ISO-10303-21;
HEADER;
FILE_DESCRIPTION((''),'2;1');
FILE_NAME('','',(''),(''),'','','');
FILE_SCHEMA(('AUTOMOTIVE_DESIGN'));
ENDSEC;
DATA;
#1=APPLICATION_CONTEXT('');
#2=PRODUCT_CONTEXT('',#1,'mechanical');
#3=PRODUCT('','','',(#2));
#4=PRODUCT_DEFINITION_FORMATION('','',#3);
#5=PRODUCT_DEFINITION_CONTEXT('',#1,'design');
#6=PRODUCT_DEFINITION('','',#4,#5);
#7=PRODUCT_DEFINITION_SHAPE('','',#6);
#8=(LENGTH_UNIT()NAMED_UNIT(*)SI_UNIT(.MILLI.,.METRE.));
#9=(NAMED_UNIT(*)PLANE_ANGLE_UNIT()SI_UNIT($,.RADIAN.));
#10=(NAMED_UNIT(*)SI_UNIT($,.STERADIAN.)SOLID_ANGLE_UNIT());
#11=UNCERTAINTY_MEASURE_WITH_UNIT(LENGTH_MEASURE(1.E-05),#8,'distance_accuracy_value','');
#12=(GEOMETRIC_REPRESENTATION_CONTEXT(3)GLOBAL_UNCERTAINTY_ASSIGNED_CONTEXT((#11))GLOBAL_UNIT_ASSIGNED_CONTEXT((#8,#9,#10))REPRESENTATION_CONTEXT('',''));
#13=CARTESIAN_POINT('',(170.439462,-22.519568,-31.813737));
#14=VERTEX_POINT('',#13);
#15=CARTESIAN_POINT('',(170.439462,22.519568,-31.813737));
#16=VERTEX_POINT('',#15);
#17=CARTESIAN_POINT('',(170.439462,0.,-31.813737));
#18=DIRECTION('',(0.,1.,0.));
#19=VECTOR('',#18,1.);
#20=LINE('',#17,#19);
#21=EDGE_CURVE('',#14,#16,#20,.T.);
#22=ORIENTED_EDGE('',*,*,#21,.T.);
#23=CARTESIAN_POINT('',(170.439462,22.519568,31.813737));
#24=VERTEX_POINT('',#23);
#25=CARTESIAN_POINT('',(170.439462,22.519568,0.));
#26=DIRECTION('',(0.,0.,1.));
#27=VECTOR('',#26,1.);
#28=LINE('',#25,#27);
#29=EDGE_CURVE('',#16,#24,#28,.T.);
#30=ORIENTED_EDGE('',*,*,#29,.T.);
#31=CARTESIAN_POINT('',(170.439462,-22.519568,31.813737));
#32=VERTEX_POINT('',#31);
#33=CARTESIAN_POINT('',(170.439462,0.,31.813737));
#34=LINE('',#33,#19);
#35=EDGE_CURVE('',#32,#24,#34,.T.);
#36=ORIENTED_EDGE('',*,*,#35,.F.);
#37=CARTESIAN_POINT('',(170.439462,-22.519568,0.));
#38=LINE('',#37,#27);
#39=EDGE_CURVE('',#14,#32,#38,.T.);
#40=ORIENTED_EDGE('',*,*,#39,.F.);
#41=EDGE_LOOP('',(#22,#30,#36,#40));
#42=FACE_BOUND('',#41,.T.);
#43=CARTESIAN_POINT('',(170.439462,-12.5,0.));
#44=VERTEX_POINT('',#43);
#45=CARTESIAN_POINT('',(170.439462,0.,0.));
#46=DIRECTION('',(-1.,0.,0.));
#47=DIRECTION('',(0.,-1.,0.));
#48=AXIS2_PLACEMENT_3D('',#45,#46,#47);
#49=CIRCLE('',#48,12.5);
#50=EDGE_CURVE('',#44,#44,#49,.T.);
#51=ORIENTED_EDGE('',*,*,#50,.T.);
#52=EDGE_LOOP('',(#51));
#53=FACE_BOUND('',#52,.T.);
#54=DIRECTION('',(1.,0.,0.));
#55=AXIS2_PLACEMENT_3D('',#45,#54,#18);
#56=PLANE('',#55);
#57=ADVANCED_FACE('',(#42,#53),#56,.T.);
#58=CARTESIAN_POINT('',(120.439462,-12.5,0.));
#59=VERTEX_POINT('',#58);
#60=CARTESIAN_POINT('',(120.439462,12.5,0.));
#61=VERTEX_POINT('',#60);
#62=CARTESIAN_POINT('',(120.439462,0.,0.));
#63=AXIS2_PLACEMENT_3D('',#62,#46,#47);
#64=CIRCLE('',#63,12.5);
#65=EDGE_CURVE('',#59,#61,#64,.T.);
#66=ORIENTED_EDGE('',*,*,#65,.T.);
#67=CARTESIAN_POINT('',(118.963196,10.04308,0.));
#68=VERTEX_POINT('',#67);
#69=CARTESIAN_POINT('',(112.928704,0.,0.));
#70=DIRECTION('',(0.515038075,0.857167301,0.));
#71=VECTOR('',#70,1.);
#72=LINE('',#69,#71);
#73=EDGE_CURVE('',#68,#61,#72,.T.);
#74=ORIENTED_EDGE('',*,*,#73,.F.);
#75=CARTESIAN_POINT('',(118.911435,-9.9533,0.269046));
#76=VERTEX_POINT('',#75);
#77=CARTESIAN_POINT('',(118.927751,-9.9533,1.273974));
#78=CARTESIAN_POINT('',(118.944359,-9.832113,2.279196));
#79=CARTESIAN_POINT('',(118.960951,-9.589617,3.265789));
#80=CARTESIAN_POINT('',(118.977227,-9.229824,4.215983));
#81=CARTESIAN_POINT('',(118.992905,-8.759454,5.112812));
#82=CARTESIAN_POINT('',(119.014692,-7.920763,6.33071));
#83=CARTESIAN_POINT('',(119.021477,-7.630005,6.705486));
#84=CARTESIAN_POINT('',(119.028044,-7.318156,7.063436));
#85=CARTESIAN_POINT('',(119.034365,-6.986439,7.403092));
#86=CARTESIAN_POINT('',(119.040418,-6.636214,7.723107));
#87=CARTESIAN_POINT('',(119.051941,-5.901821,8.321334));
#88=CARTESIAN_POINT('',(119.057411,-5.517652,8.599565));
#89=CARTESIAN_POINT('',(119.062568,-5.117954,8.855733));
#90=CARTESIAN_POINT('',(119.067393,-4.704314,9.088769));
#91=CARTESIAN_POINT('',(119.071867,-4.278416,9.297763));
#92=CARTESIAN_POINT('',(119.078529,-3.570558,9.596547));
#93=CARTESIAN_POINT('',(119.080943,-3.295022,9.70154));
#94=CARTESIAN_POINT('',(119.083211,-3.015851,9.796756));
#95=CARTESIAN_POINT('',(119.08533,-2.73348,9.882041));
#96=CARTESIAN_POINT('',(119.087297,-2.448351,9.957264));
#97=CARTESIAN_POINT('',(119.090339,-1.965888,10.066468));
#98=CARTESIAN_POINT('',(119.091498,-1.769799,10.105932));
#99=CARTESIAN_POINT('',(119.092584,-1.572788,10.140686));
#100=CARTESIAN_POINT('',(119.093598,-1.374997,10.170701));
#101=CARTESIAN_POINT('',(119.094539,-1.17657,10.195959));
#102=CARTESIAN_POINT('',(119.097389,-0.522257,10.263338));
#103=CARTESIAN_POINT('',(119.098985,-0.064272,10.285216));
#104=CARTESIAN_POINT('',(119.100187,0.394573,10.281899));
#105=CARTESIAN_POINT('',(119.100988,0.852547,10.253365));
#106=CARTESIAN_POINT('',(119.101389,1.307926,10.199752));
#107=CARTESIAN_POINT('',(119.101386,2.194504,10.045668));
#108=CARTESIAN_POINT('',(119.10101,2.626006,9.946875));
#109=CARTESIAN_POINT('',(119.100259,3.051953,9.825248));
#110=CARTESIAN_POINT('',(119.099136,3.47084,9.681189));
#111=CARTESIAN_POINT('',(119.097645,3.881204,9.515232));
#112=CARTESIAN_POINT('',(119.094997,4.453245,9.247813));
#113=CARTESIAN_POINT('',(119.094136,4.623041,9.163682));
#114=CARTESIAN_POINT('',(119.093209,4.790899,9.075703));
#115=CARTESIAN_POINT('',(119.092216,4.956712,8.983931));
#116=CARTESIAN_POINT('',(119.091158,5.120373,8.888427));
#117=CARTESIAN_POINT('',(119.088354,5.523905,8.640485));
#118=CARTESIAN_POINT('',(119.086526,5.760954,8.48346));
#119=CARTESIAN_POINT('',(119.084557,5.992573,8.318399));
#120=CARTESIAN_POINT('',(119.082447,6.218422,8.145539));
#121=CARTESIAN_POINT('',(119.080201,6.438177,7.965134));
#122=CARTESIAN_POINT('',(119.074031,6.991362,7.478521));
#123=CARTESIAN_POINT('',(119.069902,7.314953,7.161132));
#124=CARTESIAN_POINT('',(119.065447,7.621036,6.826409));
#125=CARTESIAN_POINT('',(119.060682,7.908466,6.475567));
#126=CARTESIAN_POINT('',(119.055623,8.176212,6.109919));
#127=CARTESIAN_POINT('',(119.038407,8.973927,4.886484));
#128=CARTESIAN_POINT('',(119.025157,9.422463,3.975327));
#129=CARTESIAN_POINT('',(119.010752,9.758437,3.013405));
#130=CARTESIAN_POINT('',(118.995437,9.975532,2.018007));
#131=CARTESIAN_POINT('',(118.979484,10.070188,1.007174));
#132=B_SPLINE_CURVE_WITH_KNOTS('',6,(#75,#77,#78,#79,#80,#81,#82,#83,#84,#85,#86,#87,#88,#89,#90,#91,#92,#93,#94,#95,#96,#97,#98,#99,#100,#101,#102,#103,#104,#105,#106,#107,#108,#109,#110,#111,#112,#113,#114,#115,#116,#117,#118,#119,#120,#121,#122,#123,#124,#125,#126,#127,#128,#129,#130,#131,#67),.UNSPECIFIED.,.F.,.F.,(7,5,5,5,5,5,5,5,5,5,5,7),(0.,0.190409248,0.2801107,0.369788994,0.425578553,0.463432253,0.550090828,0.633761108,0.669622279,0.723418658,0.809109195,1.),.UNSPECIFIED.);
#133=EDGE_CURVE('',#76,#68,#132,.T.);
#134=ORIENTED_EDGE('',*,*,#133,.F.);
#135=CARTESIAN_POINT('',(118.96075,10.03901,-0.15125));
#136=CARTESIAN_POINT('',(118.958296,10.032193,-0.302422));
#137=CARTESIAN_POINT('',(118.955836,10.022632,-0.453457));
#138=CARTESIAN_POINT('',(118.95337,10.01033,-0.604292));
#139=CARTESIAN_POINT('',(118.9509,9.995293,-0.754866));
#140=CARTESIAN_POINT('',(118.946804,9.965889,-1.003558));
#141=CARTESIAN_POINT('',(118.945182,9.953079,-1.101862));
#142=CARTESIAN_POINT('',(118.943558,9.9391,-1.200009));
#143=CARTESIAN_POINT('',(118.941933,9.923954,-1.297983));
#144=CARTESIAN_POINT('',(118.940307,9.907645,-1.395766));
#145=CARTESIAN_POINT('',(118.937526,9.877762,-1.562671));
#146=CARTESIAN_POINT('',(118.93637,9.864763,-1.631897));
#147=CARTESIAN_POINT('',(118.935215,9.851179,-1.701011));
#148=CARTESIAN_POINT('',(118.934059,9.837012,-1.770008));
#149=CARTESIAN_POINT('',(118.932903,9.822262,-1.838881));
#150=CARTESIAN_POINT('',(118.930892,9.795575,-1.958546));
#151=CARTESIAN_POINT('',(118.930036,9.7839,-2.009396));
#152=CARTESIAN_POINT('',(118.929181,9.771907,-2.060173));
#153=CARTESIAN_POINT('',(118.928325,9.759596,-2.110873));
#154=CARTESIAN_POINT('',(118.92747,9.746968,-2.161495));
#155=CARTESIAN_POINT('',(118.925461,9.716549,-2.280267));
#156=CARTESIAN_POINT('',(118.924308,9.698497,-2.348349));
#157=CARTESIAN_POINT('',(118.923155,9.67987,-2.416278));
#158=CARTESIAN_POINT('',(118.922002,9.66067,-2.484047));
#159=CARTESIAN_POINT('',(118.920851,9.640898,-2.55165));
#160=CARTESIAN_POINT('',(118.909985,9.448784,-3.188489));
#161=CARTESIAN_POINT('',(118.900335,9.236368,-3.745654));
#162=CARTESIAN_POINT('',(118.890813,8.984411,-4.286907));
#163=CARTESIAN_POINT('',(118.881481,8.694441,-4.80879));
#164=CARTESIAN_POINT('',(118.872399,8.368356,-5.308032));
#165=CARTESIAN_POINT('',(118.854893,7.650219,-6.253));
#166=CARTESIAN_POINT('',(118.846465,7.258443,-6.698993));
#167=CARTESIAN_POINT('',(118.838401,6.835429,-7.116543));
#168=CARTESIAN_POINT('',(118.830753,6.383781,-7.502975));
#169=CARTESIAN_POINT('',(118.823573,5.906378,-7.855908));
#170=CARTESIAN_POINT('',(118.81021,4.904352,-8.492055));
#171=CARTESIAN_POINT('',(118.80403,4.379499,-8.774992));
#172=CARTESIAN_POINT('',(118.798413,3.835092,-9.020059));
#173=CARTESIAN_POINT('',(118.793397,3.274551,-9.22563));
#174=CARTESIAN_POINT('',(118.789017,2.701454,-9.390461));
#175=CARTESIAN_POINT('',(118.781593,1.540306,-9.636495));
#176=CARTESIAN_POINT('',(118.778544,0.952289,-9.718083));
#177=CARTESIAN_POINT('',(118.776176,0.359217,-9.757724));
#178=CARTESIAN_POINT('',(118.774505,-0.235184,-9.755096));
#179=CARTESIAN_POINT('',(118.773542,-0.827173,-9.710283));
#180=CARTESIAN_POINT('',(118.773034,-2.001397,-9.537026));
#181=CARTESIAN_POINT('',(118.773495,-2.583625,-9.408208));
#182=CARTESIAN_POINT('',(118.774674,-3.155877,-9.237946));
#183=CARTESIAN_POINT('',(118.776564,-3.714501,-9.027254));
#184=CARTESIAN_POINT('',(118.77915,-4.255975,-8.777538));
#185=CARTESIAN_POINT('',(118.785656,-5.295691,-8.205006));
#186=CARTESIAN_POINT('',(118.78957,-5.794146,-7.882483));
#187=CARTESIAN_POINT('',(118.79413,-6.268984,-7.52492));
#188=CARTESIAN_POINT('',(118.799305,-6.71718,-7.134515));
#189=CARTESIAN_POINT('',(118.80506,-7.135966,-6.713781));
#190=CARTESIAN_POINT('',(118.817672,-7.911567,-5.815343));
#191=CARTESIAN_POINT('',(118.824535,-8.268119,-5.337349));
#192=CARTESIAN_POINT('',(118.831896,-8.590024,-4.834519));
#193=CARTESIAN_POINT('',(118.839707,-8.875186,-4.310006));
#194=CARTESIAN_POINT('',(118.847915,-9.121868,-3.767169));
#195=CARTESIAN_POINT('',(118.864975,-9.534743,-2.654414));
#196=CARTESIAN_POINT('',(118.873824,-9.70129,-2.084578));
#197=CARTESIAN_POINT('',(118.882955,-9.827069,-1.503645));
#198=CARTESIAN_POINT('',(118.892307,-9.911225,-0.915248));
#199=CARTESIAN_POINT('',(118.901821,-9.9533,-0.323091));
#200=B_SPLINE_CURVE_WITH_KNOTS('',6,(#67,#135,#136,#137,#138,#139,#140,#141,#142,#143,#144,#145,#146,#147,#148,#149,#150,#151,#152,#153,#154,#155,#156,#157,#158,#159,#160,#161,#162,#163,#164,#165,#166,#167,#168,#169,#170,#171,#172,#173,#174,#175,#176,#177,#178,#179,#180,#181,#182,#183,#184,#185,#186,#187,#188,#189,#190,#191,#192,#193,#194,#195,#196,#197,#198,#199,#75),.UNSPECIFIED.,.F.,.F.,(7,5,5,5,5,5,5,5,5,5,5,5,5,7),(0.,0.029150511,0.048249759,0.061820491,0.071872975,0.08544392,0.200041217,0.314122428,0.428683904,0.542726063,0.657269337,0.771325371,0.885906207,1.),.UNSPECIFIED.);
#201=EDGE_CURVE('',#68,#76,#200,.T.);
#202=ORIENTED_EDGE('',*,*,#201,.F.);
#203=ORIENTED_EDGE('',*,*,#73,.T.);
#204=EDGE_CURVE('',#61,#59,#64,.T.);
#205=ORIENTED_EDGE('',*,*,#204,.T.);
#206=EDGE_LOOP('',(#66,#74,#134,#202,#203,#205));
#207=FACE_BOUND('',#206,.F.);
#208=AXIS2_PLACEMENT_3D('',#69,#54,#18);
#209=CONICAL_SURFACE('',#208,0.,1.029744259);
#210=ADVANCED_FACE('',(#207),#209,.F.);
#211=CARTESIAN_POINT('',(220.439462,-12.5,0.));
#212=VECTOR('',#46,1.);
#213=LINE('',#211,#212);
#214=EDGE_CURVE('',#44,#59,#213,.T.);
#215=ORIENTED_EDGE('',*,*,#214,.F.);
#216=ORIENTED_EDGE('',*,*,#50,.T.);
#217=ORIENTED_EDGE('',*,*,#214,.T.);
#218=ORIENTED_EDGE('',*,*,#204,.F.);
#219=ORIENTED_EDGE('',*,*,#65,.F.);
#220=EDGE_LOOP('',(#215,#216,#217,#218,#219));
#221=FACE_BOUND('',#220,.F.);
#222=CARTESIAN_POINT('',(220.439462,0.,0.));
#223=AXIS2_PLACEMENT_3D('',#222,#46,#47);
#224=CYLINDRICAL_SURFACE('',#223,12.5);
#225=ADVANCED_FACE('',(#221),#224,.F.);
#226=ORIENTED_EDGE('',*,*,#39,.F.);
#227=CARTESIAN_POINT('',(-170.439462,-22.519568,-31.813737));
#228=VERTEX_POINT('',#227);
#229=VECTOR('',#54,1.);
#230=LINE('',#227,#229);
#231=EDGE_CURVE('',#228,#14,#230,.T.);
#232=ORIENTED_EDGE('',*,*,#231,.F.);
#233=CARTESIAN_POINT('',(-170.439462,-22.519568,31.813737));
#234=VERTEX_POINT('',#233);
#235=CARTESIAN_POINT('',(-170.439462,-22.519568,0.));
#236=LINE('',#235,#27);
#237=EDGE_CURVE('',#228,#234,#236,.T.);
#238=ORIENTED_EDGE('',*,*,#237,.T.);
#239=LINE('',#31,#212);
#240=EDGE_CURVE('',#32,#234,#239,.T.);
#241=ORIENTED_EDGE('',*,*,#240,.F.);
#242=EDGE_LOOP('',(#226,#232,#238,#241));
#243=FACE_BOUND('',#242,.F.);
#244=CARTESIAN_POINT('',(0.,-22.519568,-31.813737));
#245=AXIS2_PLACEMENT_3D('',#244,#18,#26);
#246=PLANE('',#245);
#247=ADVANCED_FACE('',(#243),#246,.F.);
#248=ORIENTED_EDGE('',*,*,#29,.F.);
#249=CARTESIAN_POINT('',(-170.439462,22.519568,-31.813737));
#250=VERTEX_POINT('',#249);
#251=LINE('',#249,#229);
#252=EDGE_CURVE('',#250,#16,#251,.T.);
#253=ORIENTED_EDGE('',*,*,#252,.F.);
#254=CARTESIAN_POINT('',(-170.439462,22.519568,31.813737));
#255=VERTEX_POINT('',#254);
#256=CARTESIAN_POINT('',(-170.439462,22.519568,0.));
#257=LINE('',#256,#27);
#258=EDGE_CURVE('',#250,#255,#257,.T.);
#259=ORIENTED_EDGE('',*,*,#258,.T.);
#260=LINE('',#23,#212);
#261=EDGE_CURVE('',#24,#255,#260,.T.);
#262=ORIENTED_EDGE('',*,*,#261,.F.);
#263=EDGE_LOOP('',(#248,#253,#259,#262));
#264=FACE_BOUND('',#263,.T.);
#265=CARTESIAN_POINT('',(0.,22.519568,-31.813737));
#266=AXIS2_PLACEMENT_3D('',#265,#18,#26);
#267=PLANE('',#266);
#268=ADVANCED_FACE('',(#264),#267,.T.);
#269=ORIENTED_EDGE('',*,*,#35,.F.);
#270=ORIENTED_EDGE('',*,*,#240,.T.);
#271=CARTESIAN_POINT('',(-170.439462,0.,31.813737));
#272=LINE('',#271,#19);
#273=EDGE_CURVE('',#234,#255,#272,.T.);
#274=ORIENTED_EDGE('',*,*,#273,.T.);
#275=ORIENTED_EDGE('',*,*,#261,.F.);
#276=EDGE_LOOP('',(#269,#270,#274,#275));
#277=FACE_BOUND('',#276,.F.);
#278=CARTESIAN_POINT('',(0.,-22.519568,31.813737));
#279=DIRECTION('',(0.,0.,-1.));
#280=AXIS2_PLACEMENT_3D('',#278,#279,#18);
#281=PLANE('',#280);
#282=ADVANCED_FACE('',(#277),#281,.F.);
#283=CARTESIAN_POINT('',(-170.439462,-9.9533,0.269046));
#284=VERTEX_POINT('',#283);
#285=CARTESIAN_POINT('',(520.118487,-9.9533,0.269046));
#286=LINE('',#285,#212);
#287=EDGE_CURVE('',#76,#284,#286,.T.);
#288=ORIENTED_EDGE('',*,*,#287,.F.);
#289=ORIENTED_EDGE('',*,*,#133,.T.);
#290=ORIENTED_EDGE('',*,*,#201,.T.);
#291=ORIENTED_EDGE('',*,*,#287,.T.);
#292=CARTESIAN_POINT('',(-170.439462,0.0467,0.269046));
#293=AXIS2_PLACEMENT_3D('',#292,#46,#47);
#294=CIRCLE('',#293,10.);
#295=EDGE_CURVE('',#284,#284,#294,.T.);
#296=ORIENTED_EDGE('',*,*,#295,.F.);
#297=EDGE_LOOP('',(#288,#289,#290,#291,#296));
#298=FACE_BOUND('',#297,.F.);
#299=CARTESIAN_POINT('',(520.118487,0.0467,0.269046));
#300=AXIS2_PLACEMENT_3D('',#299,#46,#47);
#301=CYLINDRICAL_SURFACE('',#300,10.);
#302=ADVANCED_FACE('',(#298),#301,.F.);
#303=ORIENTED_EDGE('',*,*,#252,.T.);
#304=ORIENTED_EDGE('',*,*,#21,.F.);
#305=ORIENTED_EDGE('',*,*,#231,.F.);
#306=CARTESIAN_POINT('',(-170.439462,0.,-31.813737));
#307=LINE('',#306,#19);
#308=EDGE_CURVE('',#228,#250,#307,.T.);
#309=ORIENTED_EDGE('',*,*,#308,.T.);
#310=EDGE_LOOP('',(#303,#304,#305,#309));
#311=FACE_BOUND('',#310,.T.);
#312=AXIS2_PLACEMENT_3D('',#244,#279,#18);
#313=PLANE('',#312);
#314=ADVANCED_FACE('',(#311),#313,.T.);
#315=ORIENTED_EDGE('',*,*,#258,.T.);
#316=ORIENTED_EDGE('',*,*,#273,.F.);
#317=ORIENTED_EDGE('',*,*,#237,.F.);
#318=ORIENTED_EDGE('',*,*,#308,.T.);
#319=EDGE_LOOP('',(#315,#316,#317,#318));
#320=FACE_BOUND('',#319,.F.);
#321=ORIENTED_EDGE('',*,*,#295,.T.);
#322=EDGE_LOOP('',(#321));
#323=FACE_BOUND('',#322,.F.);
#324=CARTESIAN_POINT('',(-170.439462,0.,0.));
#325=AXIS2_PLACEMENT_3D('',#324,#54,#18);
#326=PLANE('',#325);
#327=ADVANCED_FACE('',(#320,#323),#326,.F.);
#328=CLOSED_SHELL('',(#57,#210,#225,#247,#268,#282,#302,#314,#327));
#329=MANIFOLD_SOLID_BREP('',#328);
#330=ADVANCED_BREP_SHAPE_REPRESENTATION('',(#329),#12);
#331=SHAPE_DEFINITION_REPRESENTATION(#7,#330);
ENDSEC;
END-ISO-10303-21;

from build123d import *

# Parameters (mm, degrees)
F0_W     = 45.0391359627
F0_H     = 63.62747401
F1_DEPTH = 170.4394621775
F3_D     = 25
F3_DEPTH = 50
F3_TIP   = 7.5107577378
F5_D     = 20


with BuildPart() as f1:
    # F0 (on Right) → F1 (new body, symmetric)
    with BuildSketch(Plane.YZ):
        Rectangle(F0_W, F0_H)
    extrude(amount=F1_DEPTH, both=True)

    # F3
    with Locations(Plane.YZ.offset(170.4394621775)):
        with Locations((0, 0)):
            Hole(F3_D / 2, depth=F3_DEPTH)
            with Locations((0, 0, -(F3_DEPTH + F3_TIP / 2))):  # 118° drill point
                Cone(0, F3_D / 2, F3_TIP, mode=Mode.SUBTRACT)

    # F5 (through all)
    with Locations(Plane.YZ.offset(170.4394621775)):
        with Locations((0.0467002392, 0.2690460533)):
            Hole(F5_D / 2)


solid = f1.part
